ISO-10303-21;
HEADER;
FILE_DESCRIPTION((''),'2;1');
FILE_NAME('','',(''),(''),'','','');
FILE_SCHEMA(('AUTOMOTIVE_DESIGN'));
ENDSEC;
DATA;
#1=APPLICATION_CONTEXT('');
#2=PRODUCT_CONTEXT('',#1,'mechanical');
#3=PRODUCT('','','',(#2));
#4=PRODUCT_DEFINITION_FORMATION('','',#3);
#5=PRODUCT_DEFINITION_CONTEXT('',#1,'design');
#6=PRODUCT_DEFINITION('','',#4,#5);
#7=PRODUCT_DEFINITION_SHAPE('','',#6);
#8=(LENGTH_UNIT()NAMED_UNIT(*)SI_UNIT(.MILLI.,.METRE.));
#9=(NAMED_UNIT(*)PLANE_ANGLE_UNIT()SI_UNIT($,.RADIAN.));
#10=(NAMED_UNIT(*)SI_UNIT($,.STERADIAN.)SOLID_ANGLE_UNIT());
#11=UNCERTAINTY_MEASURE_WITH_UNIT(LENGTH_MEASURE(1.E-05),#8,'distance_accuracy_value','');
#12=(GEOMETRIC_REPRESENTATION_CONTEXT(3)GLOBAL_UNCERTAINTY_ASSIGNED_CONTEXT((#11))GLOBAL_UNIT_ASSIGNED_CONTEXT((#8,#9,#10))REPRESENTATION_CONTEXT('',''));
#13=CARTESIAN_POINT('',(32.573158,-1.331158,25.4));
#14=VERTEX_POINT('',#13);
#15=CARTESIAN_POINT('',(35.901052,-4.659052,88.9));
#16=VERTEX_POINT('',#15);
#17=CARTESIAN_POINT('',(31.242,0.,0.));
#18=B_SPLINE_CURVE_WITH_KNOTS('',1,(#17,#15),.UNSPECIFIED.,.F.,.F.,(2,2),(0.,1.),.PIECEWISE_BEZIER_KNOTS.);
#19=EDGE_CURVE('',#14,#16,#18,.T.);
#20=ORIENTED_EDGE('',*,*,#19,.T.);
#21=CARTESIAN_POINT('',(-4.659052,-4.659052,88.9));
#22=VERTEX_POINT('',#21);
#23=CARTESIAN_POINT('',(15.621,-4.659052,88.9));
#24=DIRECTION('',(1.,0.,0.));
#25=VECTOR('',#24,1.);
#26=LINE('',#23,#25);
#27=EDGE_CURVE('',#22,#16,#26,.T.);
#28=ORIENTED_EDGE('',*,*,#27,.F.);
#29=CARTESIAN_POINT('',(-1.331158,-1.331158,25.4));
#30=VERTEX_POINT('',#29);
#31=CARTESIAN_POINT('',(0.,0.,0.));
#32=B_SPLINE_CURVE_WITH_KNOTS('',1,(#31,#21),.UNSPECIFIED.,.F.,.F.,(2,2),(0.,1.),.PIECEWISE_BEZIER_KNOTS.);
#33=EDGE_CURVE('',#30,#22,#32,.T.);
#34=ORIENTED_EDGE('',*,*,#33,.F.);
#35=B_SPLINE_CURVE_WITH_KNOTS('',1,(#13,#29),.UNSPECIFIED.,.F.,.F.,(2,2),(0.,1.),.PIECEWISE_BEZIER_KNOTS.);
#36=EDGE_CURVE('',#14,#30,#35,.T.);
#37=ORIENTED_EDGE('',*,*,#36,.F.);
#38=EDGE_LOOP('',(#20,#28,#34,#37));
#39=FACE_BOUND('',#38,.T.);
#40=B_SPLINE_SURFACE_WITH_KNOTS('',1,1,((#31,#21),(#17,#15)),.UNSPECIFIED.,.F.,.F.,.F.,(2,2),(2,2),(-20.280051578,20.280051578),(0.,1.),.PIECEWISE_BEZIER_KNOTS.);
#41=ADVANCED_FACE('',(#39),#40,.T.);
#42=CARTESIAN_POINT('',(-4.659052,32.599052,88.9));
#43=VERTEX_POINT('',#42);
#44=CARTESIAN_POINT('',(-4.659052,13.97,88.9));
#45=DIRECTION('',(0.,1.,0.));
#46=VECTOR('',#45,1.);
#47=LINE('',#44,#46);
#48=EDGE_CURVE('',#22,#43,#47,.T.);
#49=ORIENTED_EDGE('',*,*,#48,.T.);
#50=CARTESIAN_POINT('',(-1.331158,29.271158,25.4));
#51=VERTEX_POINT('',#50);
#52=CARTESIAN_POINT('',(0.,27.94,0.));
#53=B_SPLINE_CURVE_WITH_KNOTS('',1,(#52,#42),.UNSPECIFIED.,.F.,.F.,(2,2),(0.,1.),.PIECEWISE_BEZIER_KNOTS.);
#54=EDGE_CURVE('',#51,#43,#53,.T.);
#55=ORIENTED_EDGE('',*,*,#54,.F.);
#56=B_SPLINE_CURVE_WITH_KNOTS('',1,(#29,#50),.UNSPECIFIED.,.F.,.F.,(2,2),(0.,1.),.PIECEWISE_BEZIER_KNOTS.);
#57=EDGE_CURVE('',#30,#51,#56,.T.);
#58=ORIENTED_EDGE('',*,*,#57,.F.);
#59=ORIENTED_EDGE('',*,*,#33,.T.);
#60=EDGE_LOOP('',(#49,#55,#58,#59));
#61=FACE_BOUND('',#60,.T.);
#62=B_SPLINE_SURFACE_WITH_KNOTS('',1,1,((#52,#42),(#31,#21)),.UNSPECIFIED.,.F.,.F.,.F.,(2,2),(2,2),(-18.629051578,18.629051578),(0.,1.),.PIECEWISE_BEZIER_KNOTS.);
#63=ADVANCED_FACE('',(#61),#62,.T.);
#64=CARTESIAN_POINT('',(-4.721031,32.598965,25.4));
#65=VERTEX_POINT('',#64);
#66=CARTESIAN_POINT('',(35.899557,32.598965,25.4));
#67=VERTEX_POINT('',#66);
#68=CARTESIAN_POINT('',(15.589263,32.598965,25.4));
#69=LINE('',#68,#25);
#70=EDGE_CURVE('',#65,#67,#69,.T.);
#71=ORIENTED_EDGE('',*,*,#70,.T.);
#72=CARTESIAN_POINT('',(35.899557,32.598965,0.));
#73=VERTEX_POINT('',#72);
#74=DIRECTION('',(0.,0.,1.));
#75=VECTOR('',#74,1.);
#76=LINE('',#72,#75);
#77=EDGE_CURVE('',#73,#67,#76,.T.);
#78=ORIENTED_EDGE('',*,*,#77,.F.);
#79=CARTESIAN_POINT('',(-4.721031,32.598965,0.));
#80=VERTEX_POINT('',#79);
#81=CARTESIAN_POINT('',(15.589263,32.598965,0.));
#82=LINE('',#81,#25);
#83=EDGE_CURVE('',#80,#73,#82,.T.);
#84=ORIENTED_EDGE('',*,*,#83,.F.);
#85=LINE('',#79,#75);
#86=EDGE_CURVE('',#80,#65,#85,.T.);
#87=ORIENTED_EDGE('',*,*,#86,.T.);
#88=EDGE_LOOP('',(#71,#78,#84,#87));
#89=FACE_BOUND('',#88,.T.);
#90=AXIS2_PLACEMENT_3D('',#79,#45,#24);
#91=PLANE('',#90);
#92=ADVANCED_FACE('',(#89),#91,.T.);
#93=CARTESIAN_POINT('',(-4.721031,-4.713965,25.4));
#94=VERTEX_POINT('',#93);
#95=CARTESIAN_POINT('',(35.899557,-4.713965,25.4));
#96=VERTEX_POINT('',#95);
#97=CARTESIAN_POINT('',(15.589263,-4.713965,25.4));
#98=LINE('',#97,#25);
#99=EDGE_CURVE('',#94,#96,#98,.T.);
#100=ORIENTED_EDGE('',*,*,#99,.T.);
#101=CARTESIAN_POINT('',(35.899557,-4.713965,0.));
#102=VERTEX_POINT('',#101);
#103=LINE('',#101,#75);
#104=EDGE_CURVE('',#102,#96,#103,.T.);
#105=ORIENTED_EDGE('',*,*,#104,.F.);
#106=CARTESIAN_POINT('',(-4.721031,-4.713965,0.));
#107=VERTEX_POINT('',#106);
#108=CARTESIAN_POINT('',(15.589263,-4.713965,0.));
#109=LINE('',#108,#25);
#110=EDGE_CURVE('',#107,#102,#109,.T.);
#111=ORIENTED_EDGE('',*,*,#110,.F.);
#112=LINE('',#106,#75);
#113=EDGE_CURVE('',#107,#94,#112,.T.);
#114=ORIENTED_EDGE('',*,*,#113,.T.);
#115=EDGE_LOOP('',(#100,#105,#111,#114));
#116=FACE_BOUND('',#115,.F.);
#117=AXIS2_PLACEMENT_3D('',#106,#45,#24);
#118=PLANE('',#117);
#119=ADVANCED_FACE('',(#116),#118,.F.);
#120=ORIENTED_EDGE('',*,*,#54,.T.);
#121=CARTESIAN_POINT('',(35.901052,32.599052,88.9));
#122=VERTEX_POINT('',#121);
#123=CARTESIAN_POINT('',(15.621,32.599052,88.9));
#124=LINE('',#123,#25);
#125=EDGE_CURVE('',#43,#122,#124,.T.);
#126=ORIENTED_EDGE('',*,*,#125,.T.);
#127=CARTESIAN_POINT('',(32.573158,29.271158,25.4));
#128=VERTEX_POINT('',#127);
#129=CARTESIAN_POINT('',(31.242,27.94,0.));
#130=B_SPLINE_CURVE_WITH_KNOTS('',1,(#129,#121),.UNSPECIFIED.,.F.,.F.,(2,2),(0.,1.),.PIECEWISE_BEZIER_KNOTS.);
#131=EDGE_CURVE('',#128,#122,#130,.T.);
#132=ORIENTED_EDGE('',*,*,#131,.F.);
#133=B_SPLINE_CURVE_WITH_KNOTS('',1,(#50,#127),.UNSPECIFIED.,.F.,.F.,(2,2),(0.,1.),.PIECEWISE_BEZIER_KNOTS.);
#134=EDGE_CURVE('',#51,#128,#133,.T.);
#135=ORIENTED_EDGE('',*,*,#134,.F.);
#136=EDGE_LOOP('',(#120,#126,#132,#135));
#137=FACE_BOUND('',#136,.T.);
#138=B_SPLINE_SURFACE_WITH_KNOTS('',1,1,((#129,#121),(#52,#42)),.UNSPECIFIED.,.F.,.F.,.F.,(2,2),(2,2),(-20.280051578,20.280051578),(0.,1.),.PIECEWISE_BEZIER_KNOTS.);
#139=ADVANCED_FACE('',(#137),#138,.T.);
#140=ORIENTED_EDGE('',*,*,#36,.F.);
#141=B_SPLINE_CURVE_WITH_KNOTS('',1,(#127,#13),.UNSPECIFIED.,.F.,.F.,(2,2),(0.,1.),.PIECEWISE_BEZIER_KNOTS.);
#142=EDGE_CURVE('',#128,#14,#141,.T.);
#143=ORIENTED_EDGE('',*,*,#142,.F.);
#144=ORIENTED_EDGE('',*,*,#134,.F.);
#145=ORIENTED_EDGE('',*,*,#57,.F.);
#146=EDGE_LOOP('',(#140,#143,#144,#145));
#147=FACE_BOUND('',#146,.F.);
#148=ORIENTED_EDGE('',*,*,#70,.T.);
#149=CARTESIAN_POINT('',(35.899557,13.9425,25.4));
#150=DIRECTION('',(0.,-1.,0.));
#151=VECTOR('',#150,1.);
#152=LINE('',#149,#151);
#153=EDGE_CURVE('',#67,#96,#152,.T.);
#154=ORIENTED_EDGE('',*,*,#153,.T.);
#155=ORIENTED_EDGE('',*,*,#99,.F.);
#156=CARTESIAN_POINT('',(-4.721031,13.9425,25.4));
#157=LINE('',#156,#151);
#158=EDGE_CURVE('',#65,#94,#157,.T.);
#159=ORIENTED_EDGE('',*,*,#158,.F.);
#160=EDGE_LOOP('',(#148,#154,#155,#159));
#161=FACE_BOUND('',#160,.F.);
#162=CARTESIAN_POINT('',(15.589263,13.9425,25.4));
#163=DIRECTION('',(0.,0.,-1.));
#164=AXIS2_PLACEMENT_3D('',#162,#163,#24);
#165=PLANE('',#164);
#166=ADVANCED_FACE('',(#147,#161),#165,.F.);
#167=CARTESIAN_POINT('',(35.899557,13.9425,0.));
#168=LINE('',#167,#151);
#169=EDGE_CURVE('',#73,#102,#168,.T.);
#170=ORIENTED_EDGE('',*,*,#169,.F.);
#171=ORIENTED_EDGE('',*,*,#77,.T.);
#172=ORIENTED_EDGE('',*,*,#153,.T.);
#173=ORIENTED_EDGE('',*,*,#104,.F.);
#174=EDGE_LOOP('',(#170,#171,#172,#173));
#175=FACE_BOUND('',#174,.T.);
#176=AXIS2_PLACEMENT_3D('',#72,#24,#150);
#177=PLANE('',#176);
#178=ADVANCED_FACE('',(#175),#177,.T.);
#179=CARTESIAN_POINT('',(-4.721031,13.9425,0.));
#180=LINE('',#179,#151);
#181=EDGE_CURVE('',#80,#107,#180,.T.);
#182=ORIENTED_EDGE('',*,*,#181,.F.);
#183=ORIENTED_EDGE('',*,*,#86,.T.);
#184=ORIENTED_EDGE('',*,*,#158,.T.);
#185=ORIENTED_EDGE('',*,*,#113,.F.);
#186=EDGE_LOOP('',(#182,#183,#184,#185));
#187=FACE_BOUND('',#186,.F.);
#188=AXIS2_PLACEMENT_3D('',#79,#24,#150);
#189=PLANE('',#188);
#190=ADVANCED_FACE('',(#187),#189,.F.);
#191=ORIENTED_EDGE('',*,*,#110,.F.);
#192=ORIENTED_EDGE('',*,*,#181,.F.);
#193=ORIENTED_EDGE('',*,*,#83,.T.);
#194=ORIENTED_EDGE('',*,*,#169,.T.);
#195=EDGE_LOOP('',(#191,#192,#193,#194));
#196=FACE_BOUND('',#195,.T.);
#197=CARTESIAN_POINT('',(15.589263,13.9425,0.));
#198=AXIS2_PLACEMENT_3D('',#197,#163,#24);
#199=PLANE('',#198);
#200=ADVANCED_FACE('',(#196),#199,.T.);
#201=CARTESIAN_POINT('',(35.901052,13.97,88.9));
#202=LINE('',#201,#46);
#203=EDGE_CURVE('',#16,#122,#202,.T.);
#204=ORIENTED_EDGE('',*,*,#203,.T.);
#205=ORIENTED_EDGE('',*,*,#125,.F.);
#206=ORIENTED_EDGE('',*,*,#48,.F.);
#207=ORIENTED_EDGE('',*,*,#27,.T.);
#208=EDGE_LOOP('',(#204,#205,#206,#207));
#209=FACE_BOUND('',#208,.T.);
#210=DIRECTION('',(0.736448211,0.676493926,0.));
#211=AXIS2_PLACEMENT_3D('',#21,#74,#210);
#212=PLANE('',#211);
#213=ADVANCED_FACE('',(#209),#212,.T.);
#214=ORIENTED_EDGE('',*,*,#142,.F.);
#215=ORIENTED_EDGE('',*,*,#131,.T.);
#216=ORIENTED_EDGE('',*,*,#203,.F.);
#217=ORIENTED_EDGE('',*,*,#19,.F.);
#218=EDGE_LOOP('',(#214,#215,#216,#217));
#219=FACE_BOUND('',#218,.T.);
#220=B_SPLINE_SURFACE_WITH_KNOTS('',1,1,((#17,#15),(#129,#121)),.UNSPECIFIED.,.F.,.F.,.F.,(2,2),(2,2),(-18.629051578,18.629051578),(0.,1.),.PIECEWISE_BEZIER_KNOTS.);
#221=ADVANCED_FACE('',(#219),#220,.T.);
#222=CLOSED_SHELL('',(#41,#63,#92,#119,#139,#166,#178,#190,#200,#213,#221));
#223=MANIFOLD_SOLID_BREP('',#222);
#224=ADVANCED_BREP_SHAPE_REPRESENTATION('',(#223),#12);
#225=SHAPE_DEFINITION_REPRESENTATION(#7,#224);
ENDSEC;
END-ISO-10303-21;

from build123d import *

# Parameters (mm, degrees)
F0_W     = 31.242
F0_H     = 27.94
F1_DEPTH = 88.9
F1_TAPER = -3
F2_W     = 40.6205877662
F2_H     = 37.3129299842
F3_DEPTH = 25.4


with BuildPart() as f1:
    # F0 (on Top) → F1 (new body)
    with BuildSketch(Plane.XY):
        with Locations((15.621, 13.97)):
            Rectangle(F0_W, F0_H)
    extrude(amount=F1_DEPTH, taper=F1_TAPER)

    # F2 (on face) → F3 (join)
    with BuildSketch(Plane(origin=(0, 0, 0), x_dir=(1, 0, 0), z_dir=(0, 0, -1))):
        with Locations((15.5892632902, -13.9424998779)):
            Rectangle(F2_W, F2_H)
    extrude(amount=-F3_DEPTH)


solid = f1.part
